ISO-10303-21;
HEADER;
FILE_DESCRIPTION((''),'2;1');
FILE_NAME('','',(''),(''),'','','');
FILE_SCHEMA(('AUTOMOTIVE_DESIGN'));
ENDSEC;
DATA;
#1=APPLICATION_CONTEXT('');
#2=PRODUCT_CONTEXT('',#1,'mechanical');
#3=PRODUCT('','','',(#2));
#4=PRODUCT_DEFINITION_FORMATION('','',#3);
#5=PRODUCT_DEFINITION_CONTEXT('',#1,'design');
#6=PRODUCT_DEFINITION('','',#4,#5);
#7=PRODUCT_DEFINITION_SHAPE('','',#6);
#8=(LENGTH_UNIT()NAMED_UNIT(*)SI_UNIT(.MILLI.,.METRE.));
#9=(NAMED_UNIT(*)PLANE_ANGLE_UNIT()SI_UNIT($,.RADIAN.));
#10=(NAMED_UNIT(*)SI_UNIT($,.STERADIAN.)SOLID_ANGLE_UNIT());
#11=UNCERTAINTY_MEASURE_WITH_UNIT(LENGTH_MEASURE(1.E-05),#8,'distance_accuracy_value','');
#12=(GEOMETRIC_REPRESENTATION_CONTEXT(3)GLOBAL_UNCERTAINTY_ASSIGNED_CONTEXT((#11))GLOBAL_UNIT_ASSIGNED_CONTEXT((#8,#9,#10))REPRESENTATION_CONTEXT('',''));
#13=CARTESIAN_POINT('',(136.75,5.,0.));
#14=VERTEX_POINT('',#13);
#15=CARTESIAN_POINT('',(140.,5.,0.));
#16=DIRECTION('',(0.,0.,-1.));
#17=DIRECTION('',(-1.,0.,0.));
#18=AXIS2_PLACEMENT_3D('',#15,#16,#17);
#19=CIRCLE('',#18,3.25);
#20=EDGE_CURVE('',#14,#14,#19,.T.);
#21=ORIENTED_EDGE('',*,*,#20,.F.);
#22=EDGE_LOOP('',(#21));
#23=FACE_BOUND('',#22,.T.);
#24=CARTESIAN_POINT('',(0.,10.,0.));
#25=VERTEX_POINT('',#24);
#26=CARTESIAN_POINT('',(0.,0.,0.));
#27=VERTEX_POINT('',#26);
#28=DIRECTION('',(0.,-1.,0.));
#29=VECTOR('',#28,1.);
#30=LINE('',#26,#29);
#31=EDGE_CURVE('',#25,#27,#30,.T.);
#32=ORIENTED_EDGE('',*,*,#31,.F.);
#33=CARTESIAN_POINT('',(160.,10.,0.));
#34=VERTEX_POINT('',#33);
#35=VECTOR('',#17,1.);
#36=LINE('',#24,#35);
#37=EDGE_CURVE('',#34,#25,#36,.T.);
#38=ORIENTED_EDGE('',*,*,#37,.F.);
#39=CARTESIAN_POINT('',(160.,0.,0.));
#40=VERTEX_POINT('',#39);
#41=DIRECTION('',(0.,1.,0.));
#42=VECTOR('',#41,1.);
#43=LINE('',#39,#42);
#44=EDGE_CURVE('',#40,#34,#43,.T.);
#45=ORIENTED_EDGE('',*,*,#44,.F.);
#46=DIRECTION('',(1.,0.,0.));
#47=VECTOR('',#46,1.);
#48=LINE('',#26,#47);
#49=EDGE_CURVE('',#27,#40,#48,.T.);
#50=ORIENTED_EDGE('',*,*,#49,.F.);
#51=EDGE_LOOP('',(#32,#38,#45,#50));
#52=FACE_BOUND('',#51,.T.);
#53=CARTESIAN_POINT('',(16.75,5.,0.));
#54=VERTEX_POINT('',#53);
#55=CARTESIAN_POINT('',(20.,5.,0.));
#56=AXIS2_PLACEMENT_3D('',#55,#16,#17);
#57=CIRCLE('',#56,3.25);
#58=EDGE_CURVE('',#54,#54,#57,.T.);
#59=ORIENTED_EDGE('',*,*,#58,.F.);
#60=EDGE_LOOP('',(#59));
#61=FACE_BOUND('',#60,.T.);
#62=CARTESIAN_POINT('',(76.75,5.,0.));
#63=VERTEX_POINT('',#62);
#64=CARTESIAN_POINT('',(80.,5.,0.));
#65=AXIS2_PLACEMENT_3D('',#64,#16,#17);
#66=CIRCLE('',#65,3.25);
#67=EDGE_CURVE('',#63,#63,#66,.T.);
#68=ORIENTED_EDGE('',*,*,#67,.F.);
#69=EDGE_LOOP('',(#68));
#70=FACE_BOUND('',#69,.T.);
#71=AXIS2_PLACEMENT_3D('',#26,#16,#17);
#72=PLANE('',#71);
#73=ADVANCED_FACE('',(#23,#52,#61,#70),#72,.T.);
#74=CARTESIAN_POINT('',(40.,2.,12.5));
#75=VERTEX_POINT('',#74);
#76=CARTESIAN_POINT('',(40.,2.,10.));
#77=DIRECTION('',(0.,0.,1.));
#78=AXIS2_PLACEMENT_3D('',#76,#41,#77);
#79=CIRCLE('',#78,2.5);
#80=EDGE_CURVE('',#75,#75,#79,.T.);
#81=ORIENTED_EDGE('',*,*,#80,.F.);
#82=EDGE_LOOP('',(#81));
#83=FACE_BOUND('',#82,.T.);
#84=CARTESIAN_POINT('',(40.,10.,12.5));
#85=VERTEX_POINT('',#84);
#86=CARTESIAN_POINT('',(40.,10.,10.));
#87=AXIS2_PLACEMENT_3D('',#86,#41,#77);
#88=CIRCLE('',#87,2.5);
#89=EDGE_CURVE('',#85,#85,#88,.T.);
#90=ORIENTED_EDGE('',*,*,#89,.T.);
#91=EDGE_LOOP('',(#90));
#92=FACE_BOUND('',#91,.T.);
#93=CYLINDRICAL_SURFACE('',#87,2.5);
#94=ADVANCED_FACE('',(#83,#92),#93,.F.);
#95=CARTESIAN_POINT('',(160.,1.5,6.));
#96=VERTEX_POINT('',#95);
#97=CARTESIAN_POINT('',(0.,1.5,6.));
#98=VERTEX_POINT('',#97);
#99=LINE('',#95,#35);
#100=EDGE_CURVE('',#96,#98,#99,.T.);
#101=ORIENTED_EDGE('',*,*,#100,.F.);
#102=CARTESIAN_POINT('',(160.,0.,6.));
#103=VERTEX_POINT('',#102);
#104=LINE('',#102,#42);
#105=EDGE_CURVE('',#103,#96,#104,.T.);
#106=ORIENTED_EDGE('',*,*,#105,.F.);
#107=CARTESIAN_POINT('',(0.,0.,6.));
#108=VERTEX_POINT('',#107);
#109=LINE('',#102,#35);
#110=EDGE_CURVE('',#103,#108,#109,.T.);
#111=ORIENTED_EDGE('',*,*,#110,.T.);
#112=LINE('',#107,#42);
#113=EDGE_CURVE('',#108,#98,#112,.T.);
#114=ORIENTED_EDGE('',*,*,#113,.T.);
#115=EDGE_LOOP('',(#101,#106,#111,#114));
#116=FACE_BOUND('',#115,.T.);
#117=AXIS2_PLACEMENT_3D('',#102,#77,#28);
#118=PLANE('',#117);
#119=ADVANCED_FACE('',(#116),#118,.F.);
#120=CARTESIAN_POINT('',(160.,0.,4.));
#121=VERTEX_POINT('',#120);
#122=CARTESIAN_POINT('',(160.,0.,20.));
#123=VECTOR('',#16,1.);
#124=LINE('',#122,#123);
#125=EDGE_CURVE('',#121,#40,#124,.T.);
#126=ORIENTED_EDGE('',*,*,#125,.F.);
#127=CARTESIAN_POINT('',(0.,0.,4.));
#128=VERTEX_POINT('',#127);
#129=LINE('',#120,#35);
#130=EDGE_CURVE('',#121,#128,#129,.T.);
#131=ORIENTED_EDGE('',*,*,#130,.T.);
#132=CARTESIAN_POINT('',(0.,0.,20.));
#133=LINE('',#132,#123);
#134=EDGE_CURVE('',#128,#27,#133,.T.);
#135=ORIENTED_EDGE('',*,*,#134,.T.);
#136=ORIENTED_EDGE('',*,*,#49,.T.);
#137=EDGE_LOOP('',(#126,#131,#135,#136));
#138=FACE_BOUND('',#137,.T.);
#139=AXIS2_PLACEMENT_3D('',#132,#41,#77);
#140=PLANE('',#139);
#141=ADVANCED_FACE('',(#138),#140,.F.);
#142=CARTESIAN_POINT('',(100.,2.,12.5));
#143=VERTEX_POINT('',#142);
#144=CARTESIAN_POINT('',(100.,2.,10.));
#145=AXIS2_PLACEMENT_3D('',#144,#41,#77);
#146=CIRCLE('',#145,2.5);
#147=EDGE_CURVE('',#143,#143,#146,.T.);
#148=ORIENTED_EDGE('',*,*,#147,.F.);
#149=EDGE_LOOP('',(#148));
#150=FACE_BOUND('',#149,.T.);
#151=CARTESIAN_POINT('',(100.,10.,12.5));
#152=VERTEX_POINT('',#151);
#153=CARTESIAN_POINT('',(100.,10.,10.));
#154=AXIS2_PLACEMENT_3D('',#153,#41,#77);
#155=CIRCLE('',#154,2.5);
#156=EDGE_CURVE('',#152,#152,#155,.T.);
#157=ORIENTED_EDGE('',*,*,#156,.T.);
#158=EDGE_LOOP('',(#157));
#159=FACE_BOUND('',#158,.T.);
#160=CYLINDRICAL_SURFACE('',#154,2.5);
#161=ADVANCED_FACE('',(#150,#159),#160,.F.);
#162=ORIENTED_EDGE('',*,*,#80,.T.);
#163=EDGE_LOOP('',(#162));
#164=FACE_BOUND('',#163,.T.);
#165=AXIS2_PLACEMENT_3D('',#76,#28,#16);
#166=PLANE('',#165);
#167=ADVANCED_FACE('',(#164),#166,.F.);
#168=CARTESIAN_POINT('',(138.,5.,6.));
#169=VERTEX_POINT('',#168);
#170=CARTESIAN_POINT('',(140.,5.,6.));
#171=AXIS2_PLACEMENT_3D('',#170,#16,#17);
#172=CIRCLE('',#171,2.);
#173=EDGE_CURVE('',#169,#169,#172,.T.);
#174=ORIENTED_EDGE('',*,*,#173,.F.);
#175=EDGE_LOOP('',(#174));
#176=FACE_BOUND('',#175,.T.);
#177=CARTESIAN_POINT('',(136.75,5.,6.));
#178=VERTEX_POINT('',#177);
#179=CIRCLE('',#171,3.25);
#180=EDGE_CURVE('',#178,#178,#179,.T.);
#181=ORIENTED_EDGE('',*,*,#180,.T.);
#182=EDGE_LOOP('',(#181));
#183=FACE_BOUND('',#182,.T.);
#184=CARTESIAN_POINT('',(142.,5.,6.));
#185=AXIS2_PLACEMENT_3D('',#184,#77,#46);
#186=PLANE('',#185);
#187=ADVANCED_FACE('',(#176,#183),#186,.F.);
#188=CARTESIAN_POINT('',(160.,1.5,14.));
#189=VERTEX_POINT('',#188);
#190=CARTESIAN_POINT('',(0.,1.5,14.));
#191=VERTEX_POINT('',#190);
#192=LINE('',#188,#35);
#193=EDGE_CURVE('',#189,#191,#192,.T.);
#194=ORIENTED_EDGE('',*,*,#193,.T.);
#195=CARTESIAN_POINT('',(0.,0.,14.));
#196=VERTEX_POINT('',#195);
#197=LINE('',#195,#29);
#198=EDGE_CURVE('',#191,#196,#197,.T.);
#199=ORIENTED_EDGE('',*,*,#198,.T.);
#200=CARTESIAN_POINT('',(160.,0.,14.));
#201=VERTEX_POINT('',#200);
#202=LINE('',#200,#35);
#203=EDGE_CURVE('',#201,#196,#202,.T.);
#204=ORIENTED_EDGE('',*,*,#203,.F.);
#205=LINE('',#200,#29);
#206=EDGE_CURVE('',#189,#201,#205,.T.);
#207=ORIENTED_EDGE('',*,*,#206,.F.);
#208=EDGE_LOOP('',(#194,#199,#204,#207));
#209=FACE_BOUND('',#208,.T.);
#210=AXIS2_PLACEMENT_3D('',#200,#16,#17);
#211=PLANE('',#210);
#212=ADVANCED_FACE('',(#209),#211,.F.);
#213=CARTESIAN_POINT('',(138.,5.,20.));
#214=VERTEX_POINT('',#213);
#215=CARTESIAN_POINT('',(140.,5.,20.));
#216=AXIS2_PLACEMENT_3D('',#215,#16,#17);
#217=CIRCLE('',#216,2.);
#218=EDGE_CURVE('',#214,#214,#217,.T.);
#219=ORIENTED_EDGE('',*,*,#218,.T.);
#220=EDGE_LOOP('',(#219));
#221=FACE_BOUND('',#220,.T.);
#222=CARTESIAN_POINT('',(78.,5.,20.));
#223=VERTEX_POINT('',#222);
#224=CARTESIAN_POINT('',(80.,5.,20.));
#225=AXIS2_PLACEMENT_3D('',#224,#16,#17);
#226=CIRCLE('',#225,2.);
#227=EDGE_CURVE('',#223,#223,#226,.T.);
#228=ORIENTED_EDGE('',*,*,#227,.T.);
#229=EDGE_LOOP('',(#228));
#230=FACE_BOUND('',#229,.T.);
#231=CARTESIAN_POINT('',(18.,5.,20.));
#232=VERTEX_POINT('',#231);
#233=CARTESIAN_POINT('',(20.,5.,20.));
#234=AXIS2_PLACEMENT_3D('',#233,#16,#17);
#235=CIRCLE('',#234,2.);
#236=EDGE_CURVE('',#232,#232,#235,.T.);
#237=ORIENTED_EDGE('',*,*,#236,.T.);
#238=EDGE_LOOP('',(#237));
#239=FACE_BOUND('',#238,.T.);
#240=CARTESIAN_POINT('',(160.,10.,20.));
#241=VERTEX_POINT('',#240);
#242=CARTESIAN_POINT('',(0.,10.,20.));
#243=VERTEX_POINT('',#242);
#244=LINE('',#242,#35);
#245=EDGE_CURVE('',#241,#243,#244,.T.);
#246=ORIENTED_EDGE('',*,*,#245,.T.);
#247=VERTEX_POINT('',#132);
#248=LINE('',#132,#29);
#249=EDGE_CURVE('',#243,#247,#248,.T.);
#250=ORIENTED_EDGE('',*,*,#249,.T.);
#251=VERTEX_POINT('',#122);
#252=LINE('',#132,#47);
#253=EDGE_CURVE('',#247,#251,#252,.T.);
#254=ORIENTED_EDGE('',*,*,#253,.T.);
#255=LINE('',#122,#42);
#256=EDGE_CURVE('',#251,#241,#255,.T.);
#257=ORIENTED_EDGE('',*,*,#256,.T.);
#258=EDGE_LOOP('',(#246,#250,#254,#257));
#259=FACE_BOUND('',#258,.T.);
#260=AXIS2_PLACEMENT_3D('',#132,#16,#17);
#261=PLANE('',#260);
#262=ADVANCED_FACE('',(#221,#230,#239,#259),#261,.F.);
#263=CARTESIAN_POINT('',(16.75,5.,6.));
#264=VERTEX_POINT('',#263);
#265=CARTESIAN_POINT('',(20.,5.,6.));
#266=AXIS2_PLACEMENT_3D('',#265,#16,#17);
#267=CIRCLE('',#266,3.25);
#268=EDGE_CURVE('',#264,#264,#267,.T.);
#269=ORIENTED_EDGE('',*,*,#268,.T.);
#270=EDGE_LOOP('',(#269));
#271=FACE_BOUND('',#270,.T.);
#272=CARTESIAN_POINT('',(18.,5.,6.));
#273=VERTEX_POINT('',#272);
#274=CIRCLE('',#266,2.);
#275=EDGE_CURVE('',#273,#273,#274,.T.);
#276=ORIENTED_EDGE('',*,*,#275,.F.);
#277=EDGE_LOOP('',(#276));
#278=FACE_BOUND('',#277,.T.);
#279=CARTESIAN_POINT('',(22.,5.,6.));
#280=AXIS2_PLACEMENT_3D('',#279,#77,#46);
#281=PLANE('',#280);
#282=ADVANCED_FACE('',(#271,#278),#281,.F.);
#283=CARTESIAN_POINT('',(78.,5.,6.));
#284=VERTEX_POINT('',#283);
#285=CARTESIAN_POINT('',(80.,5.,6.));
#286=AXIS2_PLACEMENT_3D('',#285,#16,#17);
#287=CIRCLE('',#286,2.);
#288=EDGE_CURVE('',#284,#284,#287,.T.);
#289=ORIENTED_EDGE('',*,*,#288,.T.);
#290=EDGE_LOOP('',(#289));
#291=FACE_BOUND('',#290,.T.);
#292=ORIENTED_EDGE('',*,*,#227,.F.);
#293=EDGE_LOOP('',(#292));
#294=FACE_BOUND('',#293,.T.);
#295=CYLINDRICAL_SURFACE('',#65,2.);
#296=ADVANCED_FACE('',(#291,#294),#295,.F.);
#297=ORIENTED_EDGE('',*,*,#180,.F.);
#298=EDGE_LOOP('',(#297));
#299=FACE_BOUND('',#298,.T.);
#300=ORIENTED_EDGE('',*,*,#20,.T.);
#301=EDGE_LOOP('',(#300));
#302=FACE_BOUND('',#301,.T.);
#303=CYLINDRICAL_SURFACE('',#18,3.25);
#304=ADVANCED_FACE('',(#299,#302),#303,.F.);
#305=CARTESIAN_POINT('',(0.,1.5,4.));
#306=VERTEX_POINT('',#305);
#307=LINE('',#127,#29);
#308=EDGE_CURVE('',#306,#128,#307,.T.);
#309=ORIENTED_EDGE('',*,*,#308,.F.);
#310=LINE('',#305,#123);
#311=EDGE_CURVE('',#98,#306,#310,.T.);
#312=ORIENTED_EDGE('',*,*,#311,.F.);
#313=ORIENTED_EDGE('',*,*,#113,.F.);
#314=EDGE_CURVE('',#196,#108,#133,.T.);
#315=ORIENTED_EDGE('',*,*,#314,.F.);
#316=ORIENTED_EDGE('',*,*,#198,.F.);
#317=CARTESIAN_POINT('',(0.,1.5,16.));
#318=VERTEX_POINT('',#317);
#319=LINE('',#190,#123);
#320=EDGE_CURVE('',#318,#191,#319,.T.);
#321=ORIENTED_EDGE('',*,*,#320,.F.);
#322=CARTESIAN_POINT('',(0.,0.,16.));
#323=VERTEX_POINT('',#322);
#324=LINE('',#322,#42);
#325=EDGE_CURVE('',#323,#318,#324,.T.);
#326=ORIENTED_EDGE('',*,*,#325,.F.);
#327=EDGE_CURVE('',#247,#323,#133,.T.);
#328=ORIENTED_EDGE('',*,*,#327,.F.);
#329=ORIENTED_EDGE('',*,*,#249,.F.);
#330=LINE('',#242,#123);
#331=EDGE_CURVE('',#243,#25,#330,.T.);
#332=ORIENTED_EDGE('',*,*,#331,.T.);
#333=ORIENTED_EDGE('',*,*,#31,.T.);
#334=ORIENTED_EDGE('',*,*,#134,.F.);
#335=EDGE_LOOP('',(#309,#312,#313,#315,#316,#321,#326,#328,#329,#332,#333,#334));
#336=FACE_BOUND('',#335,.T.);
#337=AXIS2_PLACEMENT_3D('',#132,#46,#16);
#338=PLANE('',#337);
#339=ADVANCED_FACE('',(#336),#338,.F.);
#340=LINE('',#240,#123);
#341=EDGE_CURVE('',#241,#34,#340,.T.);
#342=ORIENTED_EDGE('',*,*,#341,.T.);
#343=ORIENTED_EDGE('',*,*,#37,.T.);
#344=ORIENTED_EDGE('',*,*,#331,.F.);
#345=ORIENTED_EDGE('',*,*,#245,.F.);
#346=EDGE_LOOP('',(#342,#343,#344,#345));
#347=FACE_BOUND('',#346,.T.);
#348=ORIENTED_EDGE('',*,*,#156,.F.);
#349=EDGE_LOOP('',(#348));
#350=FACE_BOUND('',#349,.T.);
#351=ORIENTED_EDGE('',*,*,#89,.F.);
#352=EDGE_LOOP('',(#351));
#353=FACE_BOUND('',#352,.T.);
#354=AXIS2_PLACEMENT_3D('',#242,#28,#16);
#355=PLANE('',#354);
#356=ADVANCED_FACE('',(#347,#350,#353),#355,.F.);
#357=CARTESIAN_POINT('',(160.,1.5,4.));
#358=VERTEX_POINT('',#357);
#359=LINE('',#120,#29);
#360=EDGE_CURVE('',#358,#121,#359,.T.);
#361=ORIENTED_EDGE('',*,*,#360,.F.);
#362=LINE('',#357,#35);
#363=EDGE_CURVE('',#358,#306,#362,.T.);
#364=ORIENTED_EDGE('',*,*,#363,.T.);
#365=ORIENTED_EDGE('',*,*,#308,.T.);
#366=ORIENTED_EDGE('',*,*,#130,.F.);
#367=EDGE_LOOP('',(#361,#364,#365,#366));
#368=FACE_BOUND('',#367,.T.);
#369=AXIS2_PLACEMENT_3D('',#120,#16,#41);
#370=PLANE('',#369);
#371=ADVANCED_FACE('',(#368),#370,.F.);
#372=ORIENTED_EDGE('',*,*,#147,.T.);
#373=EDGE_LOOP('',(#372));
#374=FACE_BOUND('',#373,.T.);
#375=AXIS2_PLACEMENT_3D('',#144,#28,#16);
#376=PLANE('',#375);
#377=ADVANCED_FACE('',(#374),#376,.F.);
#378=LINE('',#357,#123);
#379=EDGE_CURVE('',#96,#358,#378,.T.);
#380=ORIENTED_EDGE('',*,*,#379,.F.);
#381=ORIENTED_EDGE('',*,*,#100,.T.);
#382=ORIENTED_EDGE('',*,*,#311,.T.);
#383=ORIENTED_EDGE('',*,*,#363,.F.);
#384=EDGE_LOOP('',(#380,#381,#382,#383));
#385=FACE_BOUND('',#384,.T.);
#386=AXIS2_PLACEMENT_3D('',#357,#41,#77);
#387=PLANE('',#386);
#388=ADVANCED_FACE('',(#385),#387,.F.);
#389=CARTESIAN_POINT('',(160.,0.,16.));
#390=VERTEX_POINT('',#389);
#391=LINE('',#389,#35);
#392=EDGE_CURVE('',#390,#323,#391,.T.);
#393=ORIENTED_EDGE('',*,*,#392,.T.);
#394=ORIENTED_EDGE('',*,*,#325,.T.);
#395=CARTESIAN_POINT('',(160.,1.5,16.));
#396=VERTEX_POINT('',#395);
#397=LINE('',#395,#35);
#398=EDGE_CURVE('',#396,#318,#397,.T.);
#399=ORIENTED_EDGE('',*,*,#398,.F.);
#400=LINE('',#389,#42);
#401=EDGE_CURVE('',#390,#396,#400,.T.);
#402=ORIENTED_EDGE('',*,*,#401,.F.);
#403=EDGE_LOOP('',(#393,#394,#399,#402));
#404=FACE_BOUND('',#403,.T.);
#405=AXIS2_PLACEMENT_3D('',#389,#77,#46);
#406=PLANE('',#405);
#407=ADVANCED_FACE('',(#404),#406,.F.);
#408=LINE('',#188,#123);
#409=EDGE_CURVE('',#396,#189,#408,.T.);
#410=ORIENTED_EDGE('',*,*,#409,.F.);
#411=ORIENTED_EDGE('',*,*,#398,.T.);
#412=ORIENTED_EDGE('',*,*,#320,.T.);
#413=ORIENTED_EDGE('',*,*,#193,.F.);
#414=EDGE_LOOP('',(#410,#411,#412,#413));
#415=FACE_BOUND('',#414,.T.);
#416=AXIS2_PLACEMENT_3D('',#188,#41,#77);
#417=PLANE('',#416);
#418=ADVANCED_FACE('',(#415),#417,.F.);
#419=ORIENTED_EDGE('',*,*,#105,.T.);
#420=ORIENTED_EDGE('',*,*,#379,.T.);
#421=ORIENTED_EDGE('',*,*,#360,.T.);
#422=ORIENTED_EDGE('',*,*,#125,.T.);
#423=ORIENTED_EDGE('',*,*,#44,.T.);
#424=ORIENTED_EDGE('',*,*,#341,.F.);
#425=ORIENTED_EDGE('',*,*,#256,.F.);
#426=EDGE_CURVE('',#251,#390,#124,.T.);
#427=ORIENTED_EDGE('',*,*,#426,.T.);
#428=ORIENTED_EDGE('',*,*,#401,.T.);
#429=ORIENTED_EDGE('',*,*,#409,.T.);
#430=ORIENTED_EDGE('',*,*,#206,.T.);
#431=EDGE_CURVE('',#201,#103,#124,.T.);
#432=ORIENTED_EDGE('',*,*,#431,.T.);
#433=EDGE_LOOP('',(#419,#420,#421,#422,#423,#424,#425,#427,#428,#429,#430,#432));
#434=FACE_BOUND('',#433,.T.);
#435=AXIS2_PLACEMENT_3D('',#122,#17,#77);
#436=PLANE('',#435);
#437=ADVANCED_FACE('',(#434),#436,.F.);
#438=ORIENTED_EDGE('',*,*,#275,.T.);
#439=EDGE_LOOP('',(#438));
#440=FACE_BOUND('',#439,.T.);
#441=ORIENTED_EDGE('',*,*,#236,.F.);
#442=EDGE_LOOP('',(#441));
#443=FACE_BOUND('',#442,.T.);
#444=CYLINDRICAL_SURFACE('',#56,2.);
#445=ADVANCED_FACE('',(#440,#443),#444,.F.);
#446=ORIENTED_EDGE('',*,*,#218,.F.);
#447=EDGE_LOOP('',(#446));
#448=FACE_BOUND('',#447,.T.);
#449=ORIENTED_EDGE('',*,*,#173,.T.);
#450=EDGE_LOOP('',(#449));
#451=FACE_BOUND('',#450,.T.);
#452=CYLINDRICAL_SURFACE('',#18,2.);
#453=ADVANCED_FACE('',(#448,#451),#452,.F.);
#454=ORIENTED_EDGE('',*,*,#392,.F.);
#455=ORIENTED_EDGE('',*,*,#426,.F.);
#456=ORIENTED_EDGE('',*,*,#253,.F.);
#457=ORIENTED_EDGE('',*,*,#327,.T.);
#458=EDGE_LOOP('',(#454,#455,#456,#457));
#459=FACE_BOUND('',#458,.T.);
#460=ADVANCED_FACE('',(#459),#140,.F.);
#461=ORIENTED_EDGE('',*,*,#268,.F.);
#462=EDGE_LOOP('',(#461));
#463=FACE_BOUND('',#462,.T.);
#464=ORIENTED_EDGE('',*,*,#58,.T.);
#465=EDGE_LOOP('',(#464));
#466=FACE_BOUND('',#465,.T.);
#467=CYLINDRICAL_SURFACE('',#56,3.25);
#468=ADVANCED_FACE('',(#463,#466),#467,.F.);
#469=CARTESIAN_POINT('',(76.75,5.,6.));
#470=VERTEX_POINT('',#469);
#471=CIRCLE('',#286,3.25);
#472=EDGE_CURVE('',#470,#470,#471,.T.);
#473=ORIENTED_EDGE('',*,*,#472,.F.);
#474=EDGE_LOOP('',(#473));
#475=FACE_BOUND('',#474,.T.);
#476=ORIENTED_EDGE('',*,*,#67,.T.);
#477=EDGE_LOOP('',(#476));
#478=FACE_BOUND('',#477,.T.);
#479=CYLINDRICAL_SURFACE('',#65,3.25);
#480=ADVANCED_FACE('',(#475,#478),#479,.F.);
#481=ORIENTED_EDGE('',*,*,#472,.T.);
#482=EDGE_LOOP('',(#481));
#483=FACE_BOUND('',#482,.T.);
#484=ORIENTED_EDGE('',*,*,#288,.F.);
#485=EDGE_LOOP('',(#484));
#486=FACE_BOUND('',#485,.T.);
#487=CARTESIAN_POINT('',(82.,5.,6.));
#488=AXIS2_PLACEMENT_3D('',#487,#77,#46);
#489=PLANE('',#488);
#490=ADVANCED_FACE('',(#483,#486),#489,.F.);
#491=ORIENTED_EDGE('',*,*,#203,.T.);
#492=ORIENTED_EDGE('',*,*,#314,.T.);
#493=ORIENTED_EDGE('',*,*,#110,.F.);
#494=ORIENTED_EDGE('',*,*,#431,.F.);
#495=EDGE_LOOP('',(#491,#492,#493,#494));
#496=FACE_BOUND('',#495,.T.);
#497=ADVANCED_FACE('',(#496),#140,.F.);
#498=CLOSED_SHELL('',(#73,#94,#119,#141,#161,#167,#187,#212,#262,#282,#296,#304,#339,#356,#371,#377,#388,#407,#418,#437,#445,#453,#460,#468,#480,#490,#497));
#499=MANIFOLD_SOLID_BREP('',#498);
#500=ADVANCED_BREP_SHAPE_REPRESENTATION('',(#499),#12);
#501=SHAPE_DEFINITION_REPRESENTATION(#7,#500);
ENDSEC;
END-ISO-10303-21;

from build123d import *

# Parameters (mm, degrees)
IZIM1_W                                      = 160
IZIM1_H                                      = 10
Y_KSEKLIK_EKSTR_ZYON1_DEPTH                  = 20
F_4_0MM_SAPLAMA_DELIKLERI1_D                 = 5
F_4_0MM_SAPLAMA_DELIKLERI1_DEPTH             = 8
IZIM6_W                                      = 2
IZIM6_H                                      = 1.5
KES_EKSTR_ZYON1_DEPTH                        = 162.554944214
M5_ALT_GEN_BA_L_C_VATA_IN_HAV_A1_D           = 4
M5_ALT_GEN_BA_L_C_VATA_IN_HAV_A1_CBORE_D     = 6.5
M5_ALT_GEN_BA_L_C_VATA_IN_HAV_A1_CBORE_DEPTH = 6


with BuildPart() as part:
    # Çizim1 → Yükseklik-Ekstrüzyon1 (new body)
    with BuildSketch(Plane.XY):
        with Locations((80, 5)):
            Rectangle(IZIM1_W, IZIM1_H)
    extrude(amount=Y_KSEKLIK_EKSTR_ZYON1_DEPTH)

    # Ø4.0mm Saplama Delikleri1
    with Locations(Plane(origin=(40, 10, 10), x_dir=(0, 0, 1), z_dir=(0, 1, 0))):
        with Locations((0, 0), (0, 60)):
            Hole(F_4_0MM_SAPLAMA_DELIKLERI1_D / 2, depth=F_4_0MM_SAPLAMA_DELIKLERI1_DEPTH)

    # Çizim6 → Kes-Ekstrüzyon1 (cut, through all)
    with BuildSketch(Plane.ZY):
        with Locations((5, 0.75)):
            Rectangle(IZIM6_W, IZIM6_H)
        with Locations((15, 0.75)):
            Rectangle(IZIM6_W, IZIM6_H)
    extrude(amount=-KES_EKSTR_ZYON1_DEPTH, mode=Mode.SUBTRACT)

    # M5 Altıgen Başlı Cıvata İçin Havşa1 (through all)
    with Locations(Plane(origin=(140, 5, 0), x_dir=(-1, 0, 0), z_dir=(0, 0, -1))):
        with Locations((0, 0), (60, 0), (120, 0)):
            CounterBoreHole(M5_ALT_GEN_BA_L_C_VATA_IN_HAV_A1_D / 2, M5_ALT_GEN_BA_L_C_VATA_IN_HAV_A1_CBORE_D / 2, M5_ALT_GEN_BA_L_C_VATA_IN_HAV_A1_CBORE_DEPTH)


solid = part.part
